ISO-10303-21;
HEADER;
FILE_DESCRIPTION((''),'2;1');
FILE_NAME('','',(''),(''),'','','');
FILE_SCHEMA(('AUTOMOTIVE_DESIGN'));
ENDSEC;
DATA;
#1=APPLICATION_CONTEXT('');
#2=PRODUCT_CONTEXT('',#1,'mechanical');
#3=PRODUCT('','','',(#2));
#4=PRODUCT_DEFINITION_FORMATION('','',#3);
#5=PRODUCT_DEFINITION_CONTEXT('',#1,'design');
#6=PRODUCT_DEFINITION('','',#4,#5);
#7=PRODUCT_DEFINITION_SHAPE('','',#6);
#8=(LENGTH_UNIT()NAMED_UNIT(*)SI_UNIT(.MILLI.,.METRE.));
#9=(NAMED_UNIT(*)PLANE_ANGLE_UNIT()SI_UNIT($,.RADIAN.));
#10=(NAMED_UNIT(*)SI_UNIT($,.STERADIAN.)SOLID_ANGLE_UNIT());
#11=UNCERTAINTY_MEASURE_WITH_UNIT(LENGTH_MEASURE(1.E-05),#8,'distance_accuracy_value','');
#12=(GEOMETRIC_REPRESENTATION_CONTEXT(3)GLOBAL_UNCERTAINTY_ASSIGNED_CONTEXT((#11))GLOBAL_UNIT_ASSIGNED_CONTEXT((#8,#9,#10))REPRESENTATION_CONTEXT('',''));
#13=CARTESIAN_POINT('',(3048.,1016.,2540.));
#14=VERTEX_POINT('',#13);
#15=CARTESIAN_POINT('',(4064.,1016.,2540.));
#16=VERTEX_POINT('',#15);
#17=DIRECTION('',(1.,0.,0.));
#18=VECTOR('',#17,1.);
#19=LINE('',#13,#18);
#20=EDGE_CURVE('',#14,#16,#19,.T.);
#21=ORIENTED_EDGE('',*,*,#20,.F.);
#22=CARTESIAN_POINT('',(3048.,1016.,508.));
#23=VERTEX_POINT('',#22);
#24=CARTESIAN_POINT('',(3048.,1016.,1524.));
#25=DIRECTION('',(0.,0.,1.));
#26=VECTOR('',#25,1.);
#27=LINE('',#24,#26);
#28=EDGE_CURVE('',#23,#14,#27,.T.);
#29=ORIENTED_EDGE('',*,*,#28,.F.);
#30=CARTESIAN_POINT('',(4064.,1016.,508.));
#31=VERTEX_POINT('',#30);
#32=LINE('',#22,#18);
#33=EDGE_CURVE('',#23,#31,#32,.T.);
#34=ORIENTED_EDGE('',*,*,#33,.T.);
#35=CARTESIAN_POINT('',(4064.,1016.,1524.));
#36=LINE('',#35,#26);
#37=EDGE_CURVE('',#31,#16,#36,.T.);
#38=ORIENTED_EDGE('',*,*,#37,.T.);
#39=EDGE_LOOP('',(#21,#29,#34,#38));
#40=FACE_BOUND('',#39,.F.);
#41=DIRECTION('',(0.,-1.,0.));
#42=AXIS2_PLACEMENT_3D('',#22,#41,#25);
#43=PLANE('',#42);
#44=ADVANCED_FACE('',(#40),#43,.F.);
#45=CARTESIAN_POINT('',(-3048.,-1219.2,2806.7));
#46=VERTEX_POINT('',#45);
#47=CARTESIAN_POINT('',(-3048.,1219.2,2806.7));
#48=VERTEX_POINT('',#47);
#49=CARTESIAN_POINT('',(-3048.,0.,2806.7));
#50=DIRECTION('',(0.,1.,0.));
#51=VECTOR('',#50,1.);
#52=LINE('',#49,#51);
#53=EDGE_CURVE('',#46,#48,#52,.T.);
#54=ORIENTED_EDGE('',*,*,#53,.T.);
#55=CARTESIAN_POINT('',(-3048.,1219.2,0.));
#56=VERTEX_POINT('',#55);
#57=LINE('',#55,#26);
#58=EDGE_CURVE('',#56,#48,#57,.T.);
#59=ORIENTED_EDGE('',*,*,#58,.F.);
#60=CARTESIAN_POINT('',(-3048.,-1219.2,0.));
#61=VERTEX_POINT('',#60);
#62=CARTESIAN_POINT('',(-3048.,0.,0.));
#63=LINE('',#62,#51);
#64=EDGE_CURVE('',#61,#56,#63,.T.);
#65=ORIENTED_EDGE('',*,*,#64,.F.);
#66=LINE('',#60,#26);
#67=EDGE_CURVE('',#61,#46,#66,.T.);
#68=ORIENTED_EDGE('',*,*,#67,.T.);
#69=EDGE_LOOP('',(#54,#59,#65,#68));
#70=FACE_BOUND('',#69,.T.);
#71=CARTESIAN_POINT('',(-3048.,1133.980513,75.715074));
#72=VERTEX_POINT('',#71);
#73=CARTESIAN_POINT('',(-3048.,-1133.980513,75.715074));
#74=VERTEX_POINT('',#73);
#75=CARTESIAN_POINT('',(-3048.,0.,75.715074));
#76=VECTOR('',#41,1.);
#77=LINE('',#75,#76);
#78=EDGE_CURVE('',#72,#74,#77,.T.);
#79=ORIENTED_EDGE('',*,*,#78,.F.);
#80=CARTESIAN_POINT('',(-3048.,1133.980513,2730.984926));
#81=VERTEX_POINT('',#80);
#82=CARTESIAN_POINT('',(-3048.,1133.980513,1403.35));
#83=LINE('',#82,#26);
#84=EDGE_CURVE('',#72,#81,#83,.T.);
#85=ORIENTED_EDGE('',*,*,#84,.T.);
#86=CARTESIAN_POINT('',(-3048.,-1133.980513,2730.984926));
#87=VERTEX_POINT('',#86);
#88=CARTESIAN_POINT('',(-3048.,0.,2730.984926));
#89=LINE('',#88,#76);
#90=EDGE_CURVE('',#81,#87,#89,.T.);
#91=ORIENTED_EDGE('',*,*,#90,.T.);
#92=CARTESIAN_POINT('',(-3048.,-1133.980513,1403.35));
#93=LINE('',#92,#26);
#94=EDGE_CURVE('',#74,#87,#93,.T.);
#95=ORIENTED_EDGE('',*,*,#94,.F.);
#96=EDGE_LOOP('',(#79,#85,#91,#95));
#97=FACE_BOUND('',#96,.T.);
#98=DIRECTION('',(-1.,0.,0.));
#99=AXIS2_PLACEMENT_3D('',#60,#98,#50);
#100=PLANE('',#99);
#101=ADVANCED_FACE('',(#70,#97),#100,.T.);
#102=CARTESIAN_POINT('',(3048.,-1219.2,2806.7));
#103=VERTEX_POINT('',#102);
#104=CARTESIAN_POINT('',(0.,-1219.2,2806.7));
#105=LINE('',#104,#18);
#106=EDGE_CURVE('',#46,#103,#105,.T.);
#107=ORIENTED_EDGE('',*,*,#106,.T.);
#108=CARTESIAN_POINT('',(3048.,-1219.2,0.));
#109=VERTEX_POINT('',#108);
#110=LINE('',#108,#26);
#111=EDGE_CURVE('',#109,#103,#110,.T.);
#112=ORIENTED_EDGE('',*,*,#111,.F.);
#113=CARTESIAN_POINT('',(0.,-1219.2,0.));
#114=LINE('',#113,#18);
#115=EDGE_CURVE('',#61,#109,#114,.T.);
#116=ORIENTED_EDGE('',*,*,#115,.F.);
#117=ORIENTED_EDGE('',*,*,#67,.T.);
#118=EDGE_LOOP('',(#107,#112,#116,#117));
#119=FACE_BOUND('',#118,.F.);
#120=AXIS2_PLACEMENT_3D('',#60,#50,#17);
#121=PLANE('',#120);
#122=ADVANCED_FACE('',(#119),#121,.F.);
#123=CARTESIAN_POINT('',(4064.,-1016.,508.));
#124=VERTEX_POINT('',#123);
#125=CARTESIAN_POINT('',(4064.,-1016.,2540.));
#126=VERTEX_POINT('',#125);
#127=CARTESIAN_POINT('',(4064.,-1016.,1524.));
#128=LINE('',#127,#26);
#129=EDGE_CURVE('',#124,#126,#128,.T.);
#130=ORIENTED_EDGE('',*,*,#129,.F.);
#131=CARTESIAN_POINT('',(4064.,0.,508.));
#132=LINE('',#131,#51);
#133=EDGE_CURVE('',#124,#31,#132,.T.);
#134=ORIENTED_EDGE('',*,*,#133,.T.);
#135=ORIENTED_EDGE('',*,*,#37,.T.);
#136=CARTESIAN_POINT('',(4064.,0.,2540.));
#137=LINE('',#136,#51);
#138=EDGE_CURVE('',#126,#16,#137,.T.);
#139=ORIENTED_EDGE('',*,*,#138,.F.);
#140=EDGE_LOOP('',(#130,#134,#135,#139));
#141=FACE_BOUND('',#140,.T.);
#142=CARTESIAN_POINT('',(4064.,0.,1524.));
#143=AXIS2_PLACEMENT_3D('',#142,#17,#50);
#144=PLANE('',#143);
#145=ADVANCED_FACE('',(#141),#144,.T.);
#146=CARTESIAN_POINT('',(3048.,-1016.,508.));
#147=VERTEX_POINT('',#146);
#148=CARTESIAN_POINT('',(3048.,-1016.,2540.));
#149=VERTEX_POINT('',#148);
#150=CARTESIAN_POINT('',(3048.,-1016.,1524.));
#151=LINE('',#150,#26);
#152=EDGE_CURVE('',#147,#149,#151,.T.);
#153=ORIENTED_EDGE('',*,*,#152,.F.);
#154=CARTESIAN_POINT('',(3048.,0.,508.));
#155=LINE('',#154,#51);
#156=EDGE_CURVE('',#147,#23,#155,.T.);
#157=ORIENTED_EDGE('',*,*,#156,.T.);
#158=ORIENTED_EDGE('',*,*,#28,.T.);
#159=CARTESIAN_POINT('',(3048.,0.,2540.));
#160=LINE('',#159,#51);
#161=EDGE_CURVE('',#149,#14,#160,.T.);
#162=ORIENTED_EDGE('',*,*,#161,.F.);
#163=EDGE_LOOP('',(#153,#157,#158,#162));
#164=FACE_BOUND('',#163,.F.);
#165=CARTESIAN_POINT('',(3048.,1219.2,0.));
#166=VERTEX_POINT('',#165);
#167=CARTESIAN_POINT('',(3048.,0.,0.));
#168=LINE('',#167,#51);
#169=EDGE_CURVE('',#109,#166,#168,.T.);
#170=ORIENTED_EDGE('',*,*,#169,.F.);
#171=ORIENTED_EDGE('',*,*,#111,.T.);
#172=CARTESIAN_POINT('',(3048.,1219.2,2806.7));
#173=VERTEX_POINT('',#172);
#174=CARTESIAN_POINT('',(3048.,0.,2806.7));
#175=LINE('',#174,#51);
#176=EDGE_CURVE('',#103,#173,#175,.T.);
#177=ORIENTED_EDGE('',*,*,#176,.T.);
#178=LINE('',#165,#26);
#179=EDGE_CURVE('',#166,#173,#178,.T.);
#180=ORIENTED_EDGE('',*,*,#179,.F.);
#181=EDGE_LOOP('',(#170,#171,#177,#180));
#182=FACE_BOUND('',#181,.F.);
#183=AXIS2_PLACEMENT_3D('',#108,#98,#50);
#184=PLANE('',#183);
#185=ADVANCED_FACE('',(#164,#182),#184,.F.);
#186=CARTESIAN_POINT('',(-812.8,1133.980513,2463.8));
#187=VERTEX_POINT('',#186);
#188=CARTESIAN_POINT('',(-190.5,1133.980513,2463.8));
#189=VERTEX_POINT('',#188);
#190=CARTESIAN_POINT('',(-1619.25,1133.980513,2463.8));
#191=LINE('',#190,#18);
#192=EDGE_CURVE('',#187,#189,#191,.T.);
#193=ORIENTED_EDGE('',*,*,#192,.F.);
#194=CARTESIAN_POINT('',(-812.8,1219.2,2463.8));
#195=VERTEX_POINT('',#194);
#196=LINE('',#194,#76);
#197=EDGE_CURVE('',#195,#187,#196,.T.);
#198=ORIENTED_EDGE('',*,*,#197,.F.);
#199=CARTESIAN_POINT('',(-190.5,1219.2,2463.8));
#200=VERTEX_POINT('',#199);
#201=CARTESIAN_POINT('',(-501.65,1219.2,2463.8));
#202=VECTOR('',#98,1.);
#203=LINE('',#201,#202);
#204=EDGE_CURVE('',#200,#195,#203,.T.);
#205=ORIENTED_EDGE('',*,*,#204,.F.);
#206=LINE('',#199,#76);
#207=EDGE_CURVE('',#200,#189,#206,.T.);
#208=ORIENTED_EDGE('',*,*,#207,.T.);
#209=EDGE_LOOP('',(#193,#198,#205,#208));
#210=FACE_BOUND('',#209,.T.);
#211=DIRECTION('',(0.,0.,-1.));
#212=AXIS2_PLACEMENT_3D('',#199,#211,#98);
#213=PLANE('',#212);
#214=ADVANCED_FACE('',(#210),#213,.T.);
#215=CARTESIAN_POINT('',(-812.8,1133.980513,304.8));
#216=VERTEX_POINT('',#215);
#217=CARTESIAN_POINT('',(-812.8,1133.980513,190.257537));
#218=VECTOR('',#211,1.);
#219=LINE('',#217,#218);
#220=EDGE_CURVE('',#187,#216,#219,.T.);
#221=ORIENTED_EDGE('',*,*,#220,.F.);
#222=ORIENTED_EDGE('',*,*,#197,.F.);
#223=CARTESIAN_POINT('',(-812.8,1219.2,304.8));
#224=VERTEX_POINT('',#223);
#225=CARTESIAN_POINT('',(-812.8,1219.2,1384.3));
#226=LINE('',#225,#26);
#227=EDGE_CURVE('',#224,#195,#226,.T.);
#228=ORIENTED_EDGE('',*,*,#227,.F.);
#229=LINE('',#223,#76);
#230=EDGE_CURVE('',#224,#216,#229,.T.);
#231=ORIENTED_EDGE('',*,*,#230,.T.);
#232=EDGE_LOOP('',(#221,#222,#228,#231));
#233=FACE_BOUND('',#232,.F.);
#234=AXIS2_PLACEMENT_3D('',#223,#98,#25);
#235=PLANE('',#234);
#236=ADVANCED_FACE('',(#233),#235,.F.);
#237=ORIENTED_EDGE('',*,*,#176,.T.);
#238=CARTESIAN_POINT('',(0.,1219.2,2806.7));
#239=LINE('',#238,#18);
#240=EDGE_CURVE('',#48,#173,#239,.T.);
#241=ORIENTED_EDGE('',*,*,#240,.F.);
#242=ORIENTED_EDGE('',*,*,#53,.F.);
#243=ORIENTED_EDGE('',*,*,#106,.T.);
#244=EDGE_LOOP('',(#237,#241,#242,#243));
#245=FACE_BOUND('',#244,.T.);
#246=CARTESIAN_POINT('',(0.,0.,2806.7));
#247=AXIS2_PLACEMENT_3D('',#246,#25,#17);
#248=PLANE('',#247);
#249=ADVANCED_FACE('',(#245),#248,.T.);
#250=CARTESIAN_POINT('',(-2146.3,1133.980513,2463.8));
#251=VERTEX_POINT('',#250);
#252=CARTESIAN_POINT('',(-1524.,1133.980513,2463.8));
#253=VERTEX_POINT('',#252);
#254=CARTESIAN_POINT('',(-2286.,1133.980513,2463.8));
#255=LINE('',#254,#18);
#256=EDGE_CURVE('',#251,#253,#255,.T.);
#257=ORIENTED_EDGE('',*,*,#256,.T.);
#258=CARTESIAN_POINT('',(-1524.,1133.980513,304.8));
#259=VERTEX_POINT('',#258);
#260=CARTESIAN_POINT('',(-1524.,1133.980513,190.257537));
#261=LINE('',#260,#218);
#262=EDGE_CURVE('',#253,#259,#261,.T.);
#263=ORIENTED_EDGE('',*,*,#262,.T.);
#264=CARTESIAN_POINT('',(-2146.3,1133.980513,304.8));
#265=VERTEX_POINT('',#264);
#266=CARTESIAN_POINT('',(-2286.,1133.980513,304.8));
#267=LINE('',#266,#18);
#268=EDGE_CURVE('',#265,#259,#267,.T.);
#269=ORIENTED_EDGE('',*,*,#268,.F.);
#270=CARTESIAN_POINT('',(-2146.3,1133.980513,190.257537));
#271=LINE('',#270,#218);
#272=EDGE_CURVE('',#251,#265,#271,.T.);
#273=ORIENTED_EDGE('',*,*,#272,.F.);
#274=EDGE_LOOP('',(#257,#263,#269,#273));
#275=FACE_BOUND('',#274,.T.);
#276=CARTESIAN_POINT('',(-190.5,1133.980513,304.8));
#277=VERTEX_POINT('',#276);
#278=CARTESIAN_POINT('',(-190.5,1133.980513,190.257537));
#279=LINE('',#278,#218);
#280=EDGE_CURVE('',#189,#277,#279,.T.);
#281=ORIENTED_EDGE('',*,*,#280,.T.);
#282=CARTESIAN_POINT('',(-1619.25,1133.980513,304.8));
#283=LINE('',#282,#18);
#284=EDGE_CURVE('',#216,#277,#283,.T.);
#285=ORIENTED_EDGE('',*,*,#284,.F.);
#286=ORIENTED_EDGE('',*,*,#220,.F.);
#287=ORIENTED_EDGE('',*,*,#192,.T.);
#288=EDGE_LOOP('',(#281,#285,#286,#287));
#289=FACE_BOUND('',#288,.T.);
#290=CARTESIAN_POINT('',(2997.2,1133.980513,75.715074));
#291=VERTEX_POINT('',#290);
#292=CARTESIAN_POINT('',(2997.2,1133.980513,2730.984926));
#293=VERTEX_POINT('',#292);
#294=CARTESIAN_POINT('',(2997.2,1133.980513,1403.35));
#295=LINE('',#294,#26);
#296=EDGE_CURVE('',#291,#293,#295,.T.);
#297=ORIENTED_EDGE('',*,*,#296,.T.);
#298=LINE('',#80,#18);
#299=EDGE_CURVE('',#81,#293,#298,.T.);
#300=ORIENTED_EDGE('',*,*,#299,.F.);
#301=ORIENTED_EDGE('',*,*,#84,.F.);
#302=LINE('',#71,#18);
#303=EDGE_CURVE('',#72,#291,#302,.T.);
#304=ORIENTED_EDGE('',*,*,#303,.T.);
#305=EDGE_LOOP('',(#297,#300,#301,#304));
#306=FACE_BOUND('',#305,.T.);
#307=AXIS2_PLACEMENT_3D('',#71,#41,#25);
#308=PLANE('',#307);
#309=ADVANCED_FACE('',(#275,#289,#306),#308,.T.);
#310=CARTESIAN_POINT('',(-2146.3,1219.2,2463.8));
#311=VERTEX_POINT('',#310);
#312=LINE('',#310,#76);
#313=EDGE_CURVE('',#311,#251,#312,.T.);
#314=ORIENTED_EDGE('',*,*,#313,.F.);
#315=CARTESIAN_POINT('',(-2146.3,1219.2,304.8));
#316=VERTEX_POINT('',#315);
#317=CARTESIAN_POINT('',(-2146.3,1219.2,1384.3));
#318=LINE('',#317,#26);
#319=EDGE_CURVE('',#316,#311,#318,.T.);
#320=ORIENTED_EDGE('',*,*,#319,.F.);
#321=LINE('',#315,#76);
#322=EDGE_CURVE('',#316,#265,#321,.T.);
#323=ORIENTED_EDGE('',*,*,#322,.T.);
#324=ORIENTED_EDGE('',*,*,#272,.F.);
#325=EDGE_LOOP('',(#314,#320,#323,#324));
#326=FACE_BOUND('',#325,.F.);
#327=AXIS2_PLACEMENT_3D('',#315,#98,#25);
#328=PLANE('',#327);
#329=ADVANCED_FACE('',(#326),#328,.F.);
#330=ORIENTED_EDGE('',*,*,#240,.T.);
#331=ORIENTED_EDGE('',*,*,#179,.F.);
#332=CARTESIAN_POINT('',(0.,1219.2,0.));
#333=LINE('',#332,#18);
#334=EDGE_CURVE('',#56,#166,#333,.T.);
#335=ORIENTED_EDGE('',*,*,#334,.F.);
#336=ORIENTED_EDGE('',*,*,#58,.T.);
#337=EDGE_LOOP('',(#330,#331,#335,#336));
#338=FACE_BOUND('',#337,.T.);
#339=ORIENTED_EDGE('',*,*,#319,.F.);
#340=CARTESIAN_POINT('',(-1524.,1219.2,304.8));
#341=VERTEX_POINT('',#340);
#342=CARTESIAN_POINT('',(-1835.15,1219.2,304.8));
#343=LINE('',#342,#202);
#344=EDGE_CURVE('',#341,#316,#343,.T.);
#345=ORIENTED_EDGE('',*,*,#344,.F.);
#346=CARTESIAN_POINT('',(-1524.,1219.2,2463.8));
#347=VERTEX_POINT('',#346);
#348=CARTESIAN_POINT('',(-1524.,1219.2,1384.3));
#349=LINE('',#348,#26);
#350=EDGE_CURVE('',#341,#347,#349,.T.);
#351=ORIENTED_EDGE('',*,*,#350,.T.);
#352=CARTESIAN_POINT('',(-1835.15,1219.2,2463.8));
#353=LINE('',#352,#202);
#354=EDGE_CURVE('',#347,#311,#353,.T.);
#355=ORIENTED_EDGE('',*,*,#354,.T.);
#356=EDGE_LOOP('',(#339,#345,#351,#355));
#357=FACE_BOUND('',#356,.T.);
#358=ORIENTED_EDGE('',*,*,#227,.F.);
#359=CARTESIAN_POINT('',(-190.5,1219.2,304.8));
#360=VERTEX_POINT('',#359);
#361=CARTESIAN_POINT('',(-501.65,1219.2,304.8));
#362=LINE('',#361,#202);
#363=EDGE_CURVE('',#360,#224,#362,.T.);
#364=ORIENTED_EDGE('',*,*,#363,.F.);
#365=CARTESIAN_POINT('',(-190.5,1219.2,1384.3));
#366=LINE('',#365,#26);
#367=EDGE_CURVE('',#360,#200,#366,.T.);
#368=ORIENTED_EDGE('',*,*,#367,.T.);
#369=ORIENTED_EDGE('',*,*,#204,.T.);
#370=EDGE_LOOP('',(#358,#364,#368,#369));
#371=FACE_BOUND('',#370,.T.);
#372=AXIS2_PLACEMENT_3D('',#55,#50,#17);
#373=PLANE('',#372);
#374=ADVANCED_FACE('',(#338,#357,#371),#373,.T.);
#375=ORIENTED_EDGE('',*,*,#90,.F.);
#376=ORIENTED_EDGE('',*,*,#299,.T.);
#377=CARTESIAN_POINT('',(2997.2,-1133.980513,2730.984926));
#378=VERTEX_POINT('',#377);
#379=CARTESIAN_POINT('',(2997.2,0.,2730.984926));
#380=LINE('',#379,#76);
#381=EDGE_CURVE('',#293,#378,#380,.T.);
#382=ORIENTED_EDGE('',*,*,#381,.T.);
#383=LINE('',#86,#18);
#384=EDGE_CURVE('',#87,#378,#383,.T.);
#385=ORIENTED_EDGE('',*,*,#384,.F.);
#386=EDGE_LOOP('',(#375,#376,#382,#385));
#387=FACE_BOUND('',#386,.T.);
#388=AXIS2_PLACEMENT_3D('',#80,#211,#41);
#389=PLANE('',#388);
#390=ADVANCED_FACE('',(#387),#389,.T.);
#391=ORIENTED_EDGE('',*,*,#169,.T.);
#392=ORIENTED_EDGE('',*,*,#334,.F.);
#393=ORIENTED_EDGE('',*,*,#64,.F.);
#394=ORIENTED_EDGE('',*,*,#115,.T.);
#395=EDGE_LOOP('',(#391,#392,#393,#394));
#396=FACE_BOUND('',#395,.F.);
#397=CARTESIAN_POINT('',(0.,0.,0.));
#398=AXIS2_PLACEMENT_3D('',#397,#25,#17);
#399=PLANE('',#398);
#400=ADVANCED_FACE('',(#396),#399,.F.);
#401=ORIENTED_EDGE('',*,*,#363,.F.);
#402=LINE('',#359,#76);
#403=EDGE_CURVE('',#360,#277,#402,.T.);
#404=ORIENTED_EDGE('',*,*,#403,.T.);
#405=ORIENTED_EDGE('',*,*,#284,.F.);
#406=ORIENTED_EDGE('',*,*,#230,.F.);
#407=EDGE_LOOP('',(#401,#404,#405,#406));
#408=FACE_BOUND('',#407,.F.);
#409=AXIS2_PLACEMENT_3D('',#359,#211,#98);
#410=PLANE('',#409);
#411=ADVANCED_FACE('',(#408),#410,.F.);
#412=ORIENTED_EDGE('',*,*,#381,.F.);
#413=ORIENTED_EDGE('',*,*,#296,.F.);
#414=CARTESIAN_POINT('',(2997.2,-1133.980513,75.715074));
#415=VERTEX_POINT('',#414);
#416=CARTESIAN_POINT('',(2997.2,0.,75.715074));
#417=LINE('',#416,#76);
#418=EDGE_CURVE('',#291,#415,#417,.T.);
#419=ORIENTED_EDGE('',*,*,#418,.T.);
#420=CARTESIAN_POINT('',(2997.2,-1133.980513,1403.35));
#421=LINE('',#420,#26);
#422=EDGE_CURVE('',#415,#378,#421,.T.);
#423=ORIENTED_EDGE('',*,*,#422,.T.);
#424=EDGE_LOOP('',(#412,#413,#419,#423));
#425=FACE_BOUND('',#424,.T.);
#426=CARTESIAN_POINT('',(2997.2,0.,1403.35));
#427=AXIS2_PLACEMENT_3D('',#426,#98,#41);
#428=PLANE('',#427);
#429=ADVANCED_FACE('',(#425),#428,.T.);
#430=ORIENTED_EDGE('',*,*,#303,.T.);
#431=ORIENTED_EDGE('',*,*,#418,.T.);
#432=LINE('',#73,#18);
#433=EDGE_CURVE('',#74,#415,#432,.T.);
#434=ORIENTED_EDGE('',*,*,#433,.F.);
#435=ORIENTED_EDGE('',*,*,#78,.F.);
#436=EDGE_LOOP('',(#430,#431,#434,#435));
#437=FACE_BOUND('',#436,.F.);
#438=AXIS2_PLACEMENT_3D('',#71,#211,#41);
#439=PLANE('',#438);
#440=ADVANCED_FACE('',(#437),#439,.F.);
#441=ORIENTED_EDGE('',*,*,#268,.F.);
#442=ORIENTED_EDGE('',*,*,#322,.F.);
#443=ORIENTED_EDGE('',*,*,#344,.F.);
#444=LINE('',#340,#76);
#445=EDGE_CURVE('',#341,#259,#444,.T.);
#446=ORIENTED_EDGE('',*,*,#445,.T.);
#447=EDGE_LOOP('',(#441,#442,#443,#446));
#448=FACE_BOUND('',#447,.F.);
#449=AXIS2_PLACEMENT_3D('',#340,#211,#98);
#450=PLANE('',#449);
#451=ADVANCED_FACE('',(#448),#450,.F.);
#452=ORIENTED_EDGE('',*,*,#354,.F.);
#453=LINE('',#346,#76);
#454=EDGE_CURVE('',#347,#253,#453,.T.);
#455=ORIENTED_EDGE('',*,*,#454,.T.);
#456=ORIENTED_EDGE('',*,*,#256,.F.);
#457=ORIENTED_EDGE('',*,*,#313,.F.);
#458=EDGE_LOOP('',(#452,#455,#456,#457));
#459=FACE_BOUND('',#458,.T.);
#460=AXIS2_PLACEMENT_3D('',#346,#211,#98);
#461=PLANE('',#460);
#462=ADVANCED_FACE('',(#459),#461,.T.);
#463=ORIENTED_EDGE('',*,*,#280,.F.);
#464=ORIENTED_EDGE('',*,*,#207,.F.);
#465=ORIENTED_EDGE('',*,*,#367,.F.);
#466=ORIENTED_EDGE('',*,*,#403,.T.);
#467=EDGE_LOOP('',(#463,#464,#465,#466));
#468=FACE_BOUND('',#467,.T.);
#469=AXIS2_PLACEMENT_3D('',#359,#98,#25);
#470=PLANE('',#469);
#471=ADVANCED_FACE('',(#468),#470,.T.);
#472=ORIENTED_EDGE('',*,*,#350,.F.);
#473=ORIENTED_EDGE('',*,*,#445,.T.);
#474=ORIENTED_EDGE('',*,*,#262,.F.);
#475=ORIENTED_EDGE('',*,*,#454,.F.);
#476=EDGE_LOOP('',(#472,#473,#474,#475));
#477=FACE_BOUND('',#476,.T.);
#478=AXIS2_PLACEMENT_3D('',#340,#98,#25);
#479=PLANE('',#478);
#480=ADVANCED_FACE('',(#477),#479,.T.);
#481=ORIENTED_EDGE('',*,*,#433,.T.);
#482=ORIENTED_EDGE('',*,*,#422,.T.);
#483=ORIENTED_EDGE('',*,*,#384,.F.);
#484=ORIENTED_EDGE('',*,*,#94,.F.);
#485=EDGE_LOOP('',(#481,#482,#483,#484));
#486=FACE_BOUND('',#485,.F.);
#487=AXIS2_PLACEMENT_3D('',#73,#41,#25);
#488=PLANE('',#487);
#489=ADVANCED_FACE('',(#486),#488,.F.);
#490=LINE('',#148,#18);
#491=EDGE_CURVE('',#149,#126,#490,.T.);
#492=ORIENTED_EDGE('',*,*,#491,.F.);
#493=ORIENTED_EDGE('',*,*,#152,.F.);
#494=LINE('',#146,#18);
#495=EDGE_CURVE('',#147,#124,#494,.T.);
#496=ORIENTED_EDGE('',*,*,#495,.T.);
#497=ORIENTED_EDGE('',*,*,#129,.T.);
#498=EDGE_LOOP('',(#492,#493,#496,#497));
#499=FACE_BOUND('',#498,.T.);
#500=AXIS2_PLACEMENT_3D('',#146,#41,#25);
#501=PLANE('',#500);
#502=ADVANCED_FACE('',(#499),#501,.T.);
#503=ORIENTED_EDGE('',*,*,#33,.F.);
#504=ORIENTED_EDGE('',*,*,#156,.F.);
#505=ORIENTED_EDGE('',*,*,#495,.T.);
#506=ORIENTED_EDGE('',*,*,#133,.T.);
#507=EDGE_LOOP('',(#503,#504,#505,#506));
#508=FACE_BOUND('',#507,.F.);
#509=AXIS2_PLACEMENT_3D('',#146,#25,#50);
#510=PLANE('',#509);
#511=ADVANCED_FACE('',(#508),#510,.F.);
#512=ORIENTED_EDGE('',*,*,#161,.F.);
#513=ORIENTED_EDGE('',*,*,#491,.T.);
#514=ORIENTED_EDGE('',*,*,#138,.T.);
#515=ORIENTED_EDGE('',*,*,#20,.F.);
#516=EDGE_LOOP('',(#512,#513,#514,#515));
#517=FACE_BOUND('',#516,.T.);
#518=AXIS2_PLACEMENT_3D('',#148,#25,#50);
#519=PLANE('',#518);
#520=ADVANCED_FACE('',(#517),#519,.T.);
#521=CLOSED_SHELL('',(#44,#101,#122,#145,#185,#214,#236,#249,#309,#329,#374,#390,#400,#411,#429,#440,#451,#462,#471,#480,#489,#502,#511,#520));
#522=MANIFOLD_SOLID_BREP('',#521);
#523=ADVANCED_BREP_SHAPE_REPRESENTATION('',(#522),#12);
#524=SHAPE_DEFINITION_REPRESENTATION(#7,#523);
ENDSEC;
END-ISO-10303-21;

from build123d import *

# Parameters (mm, degrees)
F0_W     = 6096
F0_H     = 2438.4
F1_DEPTH = 2806.7
F3_W     = 2267.961026
F3_H     = 2655.269852
F4_DEPTH = 6045.2
F5_W     = 622.3
F5_H     = 2159
F6_DEPTH = 254
F2_W     = 2032
F2_H     = 2032
F7_DEPTH = 1016


with BuildPart() as f1:
    # F0 (on Top) → F1 (new body)
    with BuildSketch(Plane.XY):
        Rectangle(F0_W, F0_H)
    extrude(amount=F1_DEPTH)

    # F3 (on face) → F4 (cut)
    with BuildSketch(Plane(origin=(-3048, 0, 0), x_dir=(0, -1, 0), z_dir=(-1, 0, 0))):
        with Locations((0, 1403.35)):
            Rectangle(F3_W, F3_H)
    extrude(amount=-F4_DEPTH, mode=Mode.SUBTRACT)

    # F5 (on face) → F6 (cut)
    with BuildSketch(Plane(origin=(0, 1219.2, 0), x_dir=(-1, 0, 0), z_dir=(0, 1, 0))):
        with Locations((1835.15, 1384.3)):
            Rectangle(F5_W, F5_H)
        with Locations((501.65, 1384.3)):
            Rectangle(F5_W, F5_H)
    extrude(amount=-F6_DEPTH, mode=Mode.SUBTRACT)

    # F2 (on face) → F7 (join)
    with BuildSketch(Plane.YZ.offset(3048)):
        with Locations((0, 1524)):
            Rectangle(F2_W, F2_H)
    extrude(amount=F7_DEPTH)


solid = f1.part
